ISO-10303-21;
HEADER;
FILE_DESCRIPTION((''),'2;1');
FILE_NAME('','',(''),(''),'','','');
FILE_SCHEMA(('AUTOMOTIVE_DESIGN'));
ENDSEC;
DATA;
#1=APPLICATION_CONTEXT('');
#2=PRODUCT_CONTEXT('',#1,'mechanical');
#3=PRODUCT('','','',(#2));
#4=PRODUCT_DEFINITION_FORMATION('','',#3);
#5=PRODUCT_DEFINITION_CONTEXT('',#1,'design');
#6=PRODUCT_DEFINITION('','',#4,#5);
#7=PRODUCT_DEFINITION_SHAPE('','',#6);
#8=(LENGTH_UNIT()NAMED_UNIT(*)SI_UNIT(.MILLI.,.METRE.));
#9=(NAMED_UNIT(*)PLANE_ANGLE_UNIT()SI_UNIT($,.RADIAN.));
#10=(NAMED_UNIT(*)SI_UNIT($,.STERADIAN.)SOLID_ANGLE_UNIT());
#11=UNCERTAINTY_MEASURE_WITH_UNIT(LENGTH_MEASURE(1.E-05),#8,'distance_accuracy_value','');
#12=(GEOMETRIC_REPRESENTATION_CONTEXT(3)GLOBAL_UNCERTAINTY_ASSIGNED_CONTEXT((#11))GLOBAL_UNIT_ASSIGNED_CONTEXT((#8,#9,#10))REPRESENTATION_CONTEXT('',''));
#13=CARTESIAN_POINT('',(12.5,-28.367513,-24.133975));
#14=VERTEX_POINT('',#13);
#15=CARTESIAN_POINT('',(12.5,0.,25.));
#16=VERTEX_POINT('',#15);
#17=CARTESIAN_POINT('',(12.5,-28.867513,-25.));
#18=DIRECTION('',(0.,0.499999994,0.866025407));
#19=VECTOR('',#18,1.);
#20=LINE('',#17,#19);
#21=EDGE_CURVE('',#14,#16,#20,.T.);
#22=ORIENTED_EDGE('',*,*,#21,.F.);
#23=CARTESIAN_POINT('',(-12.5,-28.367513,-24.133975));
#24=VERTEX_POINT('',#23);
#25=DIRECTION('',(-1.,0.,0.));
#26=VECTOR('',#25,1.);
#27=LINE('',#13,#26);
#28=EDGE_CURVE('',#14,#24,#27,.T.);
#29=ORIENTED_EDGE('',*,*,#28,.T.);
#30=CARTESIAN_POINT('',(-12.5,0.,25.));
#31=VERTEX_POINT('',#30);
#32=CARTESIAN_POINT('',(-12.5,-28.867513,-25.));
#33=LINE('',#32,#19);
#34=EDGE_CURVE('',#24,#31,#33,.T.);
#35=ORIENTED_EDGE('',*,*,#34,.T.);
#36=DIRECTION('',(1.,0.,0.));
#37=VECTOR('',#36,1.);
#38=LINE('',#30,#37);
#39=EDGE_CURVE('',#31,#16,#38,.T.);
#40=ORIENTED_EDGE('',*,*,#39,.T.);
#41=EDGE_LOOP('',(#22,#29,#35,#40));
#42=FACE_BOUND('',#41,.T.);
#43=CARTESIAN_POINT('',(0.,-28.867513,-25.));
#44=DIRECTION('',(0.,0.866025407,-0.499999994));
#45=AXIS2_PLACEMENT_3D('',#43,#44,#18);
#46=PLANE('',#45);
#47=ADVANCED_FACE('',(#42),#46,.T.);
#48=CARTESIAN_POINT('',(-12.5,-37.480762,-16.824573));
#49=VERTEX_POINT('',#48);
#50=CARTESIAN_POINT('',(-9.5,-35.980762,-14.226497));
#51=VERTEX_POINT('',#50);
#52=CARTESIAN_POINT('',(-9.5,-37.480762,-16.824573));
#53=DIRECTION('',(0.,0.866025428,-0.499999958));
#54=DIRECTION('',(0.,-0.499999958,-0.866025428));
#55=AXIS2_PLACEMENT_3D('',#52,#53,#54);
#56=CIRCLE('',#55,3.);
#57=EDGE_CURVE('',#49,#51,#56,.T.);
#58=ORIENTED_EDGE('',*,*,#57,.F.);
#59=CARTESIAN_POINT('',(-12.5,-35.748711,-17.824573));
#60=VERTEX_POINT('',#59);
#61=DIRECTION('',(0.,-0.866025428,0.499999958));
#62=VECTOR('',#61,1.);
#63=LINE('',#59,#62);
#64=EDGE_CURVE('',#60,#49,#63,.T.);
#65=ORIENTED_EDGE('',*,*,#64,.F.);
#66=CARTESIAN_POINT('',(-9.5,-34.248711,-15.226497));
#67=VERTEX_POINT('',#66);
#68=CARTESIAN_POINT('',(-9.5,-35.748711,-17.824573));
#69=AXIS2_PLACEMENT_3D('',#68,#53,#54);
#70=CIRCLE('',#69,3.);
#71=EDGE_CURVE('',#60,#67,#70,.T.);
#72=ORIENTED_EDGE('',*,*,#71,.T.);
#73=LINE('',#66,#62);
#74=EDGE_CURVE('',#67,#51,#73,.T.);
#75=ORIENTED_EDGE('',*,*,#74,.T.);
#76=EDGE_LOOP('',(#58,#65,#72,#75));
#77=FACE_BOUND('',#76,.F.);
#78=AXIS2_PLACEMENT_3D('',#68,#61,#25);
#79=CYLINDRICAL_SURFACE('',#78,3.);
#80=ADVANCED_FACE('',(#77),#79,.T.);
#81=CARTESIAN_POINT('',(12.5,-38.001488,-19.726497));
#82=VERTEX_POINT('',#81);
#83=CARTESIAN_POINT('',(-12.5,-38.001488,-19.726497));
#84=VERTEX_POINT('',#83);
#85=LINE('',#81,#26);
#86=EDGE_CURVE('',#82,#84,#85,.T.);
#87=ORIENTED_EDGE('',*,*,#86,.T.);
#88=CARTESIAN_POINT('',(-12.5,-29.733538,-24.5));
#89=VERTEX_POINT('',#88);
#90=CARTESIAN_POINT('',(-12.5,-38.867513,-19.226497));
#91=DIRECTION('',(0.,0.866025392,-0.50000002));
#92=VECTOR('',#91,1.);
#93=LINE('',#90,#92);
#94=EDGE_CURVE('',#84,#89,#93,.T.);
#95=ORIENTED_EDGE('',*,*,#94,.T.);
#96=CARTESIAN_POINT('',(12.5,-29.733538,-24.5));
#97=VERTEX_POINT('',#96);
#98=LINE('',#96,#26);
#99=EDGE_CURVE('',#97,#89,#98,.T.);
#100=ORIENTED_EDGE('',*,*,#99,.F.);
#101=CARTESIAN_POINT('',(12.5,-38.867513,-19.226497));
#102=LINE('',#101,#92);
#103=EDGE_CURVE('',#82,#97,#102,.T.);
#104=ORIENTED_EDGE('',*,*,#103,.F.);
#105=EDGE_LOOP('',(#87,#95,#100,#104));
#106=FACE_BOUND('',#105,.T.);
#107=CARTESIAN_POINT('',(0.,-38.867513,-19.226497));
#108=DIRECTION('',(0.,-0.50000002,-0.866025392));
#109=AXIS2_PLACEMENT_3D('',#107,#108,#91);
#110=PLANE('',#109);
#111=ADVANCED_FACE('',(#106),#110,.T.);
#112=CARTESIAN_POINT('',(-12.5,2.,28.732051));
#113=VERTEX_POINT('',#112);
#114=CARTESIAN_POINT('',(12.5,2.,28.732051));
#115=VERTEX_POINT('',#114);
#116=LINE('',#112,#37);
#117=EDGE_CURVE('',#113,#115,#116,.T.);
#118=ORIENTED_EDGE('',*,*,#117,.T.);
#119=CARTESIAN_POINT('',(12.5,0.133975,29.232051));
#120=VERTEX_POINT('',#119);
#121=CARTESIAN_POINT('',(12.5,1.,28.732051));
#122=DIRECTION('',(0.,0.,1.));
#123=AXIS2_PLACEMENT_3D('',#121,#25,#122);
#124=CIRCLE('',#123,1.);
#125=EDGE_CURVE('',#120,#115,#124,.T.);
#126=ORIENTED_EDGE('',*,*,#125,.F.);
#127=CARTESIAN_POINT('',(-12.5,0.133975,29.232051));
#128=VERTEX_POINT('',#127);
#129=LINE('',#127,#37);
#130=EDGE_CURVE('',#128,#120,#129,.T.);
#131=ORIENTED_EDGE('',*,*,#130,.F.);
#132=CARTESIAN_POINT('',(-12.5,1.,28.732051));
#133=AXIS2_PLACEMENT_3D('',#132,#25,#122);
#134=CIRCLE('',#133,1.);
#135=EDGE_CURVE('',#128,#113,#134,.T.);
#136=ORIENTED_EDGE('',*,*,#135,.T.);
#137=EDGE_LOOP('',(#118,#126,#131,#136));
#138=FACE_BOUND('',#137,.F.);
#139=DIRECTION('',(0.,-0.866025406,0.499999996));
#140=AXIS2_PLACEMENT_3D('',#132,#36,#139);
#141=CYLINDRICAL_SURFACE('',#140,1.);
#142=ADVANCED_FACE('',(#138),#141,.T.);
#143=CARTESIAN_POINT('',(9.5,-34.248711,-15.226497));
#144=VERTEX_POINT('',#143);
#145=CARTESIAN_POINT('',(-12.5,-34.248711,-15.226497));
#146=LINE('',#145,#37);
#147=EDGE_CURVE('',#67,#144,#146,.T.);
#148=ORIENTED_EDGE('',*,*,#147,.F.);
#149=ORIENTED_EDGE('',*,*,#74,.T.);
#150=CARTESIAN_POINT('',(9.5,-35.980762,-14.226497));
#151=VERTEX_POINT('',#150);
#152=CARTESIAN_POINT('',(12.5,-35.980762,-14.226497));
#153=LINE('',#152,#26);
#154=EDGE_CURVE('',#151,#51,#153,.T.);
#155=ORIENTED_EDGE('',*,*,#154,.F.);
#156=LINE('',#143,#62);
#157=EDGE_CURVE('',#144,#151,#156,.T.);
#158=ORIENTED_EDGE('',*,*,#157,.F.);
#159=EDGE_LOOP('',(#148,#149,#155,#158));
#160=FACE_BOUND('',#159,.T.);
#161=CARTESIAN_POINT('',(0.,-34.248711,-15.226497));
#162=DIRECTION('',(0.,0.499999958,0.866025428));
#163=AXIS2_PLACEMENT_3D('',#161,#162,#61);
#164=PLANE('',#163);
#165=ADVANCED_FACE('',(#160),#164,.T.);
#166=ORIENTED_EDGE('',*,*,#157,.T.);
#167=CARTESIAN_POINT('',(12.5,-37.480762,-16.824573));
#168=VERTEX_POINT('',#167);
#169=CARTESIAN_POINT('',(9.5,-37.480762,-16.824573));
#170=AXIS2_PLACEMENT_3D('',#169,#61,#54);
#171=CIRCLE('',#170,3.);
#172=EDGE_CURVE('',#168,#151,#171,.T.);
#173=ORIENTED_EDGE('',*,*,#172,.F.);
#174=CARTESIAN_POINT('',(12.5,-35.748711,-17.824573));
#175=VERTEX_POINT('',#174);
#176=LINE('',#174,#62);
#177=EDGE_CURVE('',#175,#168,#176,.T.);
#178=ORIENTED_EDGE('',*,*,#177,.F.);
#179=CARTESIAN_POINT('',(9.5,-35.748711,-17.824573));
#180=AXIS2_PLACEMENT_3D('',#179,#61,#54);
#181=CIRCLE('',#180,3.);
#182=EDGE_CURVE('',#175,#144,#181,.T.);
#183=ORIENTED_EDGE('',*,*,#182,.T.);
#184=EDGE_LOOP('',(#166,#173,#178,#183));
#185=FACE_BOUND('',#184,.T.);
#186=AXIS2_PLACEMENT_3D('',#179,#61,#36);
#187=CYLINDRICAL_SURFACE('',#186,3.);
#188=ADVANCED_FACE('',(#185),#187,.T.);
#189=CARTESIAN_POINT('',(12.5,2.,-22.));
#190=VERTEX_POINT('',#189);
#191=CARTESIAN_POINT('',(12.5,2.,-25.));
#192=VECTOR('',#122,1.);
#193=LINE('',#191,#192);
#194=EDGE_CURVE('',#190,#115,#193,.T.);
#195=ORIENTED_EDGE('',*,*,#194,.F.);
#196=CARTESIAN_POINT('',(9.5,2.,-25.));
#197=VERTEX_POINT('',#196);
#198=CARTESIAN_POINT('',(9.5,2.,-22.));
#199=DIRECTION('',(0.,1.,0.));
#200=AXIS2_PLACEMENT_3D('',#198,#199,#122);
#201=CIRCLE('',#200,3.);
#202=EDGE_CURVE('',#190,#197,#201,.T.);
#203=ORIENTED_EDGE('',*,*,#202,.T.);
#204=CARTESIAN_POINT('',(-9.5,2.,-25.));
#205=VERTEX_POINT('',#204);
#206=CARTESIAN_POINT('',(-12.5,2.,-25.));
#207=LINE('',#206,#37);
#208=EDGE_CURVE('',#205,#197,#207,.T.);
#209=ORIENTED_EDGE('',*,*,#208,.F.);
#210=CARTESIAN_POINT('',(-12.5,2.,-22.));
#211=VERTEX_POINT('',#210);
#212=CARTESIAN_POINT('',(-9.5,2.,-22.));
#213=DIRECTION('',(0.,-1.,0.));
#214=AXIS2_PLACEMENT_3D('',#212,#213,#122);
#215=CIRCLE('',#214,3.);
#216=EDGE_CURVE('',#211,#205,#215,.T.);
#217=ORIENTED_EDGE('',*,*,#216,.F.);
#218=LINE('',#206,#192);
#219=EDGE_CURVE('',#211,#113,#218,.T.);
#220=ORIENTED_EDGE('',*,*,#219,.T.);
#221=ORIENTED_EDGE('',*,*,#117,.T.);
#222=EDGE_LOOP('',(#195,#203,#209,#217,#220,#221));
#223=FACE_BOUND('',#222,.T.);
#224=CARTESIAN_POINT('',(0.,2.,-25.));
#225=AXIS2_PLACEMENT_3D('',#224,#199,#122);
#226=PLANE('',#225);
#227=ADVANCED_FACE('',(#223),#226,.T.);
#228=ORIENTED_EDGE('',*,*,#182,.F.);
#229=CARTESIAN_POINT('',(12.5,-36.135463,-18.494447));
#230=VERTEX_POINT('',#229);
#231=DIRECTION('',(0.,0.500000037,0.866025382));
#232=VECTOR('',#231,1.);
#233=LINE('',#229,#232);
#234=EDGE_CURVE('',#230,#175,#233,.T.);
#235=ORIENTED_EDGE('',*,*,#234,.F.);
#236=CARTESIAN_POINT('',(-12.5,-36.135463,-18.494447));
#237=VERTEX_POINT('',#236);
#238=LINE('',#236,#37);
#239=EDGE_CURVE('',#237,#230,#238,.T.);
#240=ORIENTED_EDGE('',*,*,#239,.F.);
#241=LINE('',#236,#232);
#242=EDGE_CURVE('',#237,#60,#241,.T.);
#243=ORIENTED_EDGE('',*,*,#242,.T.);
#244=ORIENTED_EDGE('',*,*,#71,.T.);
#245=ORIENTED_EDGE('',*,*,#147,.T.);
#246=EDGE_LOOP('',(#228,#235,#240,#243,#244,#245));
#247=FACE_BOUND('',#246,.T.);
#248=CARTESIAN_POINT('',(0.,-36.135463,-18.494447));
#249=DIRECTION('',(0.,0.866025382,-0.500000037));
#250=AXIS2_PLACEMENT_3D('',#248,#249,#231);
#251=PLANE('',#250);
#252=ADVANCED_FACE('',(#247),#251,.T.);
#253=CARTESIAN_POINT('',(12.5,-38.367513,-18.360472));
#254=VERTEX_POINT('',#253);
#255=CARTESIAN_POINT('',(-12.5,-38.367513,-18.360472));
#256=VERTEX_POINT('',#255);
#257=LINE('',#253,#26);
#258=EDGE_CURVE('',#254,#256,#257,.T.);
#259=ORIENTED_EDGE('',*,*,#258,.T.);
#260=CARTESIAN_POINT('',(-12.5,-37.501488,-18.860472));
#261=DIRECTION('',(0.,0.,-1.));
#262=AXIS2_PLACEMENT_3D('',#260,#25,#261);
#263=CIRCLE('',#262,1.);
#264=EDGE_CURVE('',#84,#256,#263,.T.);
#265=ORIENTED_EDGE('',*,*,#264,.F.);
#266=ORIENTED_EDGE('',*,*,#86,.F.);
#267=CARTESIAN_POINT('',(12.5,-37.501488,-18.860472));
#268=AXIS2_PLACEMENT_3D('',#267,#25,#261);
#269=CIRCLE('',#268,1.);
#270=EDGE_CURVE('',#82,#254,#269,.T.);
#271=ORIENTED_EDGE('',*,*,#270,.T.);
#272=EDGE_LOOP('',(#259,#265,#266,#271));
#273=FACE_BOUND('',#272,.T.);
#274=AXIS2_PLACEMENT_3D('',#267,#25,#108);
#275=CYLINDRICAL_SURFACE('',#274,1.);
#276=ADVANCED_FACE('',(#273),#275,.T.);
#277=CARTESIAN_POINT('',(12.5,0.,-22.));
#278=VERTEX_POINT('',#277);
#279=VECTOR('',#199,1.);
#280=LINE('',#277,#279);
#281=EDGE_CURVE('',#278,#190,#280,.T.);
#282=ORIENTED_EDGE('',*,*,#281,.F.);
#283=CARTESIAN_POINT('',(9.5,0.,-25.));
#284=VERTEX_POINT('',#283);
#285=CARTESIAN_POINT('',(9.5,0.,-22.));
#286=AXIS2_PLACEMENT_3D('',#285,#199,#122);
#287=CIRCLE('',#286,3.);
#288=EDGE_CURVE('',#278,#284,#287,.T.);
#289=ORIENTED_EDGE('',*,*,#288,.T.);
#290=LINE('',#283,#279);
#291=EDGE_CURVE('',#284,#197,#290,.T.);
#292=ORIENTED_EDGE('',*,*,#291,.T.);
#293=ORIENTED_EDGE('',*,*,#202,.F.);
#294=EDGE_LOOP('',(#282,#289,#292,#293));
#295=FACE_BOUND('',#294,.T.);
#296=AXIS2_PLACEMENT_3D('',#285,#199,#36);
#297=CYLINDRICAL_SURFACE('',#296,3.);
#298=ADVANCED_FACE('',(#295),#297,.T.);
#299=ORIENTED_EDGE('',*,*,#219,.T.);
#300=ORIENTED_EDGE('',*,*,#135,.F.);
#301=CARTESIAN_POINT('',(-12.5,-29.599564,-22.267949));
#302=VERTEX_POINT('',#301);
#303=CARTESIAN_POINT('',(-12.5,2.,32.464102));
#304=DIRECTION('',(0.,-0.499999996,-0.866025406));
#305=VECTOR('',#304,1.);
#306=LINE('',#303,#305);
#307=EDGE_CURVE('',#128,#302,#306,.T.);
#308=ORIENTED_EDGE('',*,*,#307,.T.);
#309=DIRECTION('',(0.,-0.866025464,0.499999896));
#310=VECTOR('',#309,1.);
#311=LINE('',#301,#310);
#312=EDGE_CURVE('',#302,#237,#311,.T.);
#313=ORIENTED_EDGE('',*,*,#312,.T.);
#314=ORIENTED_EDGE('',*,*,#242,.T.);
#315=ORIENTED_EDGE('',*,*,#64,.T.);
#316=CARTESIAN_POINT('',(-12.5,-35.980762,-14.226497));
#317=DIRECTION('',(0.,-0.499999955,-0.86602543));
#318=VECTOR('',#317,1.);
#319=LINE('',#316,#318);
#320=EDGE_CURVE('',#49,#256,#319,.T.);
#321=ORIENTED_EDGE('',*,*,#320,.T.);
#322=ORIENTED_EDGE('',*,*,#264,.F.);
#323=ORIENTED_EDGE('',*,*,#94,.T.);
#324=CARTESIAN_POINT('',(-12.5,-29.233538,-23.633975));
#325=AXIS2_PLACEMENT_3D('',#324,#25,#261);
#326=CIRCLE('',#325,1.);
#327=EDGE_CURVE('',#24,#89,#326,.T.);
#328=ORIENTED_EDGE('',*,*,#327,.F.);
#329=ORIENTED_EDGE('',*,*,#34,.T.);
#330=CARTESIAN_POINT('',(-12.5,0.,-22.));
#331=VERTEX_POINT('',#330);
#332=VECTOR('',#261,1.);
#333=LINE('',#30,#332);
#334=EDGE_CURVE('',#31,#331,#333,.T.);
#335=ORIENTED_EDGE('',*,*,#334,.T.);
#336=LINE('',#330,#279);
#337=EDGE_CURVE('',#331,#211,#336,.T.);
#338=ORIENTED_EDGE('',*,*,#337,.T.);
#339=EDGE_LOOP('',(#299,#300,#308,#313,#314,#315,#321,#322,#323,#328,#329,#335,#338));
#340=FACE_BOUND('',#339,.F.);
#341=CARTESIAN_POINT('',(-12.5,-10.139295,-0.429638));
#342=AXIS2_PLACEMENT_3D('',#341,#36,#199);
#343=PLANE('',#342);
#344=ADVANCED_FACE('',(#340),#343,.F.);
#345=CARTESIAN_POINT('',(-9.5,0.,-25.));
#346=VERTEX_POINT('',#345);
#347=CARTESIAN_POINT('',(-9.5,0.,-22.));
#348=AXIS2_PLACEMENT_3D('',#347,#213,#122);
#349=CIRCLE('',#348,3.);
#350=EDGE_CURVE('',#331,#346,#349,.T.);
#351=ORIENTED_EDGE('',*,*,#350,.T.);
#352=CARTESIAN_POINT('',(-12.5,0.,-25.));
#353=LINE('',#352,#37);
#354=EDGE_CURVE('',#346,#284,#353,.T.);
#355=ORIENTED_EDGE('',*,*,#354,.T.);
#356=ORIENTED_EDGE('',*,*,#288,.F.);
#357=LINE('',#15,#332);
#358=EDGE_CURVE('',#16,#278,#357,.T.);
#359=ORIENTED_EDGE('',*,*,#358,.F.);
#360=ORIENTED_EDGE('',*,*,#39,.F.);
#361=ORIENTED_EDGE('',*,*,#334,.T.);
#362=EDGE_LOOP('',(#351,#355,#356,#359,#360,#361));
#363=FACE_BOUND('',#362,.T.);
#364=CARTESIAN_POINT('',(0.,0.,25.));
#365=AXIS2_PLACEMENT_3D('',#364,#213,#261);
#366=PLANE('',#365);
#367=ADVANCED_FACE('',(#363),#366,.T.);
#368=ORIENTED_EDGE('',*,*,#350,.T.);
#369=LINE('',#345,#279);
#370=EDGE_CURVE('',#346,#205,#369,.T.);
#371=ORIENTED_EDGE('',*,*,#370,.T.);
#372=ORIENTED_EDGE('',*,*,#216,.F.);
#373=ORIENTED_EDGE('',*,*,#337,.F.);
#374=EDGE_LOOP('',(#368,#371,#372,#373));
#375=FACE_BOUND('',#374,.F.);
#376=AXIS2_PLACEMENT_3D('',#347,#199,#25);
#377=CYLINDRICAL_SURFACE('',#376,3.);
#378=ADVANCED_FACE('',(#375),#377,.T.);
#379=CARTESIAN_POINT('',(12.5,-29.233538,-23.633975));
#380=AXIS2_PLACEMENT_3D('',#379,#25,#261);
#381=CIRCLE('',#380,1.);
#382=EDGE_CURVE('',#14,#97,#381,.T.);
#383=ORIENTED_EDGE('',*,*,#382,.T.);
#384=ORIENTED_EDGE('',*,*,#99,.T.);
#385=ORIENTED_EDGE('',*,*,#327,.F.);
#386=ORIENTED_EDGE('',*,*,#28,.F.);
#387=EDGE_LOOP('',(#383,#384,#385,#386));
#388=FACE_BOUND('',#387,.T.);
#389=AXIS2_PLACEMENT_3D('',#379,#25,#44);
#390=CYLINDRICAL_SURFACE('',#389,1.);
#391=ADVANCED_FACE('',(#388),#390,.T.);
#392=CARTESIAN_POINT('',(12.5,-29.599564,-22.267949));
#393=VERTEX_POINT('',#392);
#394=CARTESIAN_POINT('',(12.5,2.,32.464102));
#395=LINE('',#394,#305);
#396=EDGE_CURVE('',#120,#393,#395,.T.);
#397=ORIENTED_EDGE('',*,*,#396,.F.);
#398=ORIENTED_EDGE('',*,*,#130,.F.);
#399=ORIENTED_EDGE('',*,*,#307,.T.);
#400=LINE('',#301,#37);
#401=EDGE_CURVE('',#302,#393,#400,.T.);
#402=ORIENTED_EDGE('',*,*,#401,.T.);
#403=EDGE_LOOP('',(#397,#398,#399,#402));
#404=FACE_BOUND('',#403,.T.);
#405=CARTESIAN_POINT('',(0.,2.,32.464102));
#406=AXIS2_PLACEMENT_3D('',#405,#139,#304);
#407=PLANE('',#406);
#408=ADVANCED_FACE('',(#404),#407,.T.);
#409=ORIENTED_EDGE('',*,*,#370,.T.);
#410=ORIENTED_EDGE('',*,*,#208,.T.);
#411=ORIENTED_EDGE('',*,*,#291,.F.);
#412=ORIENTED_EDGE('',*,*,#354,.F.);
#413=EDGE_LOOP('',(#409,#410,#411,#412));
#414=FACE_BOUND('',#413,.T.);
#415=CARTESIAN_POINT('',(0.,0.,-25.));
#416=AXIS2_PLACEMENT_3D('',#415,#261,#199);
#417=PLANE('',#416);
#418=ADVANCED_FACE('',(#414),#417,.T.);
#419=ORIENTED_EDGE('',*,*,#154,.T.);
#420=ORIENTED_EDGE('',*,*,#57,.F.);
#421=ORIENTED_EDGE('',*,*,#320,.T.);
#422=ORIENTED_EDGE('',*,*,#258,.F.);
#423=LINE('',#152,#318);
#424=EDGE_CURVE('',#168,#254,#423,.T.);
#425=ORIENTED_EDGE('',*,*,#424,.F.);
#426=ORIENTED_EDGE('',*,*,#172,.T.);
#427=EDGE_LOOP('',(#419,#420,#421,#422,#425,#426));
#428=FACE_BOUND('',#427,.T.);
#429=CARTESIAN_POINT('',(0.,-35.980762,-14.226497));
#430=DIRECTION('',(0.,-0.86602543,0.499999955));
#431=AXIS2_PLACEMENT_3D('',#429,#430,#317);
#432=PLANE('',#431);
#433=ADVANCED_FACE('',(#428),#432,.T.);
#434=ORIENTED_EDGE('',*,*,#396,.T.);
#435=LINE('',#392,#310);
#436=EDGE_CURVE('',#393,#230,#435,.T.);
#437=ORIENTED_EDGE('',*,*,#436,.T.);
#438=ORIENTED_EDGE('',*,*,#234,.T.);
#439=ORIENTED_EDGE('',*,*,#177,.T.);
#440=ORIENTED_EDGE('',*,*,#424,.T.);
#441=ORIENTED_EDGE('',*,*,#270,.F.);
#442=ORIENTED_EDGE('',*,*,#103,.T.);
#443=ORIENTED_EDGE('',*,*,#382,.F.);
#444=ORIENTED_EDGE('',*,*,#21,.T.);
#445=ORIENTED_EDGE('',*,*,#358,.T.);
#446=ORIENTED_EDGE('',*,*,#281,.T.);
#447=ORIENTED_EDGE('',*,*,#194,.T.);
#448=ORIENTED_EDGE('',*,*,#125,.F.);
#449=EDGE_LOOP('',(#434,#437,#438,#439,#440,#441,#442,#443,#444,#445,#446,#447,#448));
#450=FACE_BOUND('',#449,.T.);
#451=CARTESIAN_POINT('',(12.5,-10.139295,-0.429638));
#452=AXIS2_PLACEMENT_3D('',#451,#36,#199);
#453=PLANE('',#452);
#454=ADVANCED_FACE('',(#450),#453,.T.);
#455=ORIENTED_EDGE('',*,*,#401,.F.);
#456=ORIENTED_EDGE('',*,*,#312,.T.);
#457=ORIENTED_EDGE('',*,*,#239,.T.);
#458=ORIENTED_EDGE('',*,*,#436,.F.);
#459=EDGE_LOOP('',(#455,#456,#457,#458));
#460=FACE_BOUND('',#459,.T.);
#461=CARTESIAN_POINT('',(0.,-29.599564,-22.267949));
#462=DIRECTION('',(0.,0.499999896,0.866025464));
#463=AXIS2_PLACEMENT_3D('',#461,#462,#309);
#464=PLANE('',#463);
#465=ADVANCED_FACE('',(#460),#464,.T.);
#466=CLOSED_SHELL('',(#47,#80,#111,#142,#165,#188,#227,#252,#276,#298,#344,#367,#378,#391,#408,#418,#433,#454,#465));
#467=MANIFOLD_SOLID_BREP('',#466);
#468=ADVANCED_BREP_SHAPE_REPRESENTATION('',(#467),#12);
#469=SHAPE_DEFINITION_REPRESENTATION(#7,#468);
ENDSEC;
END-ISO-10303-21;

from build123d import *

# Parameters (mm, degrees)
F1_DEPTH = 12.5
F2_R     = 1
F3_R     = 3


with BuildPart() as f1:
    # F0 (on Right) → F1 (new body, symmetric)
    with BuildSketch(Plane.YZ):
        Polygon((-28.867513, -25), (0, 25), (0, -25), (2, -25), (2, 32.464102), (-29.599564, -22.267949), (-36.135463, -18.494447), (-34.248711, -15.226497), (-35.980762, -14.226497), (-38.867513, -19.226497), align=None)
    extrude(amount=F1_DEPTH, both=True)

    # F2
    f2_edges = [f1.edges().sort_by_distance(p)[0] for p in [
        (0, 2, 32.464102),
        (0, -38.867513, -19.226497),
        (0, -28.867513, -25),
    ]]
    fillet(f2_edges, radius=F2_R)

    # F3
    f3_edges = [f1.edges().sort_by_distance(p)[0] for p in [
        (12.5, 1, -25),
        (-12.5, 1, -25),
        (12.5, -35.114737, -14.726497),
        (-12.5, -35.114737, -14.726497),
    ]]
    fillet(f3_edges, radius=F3_R)


solid = f1.part
